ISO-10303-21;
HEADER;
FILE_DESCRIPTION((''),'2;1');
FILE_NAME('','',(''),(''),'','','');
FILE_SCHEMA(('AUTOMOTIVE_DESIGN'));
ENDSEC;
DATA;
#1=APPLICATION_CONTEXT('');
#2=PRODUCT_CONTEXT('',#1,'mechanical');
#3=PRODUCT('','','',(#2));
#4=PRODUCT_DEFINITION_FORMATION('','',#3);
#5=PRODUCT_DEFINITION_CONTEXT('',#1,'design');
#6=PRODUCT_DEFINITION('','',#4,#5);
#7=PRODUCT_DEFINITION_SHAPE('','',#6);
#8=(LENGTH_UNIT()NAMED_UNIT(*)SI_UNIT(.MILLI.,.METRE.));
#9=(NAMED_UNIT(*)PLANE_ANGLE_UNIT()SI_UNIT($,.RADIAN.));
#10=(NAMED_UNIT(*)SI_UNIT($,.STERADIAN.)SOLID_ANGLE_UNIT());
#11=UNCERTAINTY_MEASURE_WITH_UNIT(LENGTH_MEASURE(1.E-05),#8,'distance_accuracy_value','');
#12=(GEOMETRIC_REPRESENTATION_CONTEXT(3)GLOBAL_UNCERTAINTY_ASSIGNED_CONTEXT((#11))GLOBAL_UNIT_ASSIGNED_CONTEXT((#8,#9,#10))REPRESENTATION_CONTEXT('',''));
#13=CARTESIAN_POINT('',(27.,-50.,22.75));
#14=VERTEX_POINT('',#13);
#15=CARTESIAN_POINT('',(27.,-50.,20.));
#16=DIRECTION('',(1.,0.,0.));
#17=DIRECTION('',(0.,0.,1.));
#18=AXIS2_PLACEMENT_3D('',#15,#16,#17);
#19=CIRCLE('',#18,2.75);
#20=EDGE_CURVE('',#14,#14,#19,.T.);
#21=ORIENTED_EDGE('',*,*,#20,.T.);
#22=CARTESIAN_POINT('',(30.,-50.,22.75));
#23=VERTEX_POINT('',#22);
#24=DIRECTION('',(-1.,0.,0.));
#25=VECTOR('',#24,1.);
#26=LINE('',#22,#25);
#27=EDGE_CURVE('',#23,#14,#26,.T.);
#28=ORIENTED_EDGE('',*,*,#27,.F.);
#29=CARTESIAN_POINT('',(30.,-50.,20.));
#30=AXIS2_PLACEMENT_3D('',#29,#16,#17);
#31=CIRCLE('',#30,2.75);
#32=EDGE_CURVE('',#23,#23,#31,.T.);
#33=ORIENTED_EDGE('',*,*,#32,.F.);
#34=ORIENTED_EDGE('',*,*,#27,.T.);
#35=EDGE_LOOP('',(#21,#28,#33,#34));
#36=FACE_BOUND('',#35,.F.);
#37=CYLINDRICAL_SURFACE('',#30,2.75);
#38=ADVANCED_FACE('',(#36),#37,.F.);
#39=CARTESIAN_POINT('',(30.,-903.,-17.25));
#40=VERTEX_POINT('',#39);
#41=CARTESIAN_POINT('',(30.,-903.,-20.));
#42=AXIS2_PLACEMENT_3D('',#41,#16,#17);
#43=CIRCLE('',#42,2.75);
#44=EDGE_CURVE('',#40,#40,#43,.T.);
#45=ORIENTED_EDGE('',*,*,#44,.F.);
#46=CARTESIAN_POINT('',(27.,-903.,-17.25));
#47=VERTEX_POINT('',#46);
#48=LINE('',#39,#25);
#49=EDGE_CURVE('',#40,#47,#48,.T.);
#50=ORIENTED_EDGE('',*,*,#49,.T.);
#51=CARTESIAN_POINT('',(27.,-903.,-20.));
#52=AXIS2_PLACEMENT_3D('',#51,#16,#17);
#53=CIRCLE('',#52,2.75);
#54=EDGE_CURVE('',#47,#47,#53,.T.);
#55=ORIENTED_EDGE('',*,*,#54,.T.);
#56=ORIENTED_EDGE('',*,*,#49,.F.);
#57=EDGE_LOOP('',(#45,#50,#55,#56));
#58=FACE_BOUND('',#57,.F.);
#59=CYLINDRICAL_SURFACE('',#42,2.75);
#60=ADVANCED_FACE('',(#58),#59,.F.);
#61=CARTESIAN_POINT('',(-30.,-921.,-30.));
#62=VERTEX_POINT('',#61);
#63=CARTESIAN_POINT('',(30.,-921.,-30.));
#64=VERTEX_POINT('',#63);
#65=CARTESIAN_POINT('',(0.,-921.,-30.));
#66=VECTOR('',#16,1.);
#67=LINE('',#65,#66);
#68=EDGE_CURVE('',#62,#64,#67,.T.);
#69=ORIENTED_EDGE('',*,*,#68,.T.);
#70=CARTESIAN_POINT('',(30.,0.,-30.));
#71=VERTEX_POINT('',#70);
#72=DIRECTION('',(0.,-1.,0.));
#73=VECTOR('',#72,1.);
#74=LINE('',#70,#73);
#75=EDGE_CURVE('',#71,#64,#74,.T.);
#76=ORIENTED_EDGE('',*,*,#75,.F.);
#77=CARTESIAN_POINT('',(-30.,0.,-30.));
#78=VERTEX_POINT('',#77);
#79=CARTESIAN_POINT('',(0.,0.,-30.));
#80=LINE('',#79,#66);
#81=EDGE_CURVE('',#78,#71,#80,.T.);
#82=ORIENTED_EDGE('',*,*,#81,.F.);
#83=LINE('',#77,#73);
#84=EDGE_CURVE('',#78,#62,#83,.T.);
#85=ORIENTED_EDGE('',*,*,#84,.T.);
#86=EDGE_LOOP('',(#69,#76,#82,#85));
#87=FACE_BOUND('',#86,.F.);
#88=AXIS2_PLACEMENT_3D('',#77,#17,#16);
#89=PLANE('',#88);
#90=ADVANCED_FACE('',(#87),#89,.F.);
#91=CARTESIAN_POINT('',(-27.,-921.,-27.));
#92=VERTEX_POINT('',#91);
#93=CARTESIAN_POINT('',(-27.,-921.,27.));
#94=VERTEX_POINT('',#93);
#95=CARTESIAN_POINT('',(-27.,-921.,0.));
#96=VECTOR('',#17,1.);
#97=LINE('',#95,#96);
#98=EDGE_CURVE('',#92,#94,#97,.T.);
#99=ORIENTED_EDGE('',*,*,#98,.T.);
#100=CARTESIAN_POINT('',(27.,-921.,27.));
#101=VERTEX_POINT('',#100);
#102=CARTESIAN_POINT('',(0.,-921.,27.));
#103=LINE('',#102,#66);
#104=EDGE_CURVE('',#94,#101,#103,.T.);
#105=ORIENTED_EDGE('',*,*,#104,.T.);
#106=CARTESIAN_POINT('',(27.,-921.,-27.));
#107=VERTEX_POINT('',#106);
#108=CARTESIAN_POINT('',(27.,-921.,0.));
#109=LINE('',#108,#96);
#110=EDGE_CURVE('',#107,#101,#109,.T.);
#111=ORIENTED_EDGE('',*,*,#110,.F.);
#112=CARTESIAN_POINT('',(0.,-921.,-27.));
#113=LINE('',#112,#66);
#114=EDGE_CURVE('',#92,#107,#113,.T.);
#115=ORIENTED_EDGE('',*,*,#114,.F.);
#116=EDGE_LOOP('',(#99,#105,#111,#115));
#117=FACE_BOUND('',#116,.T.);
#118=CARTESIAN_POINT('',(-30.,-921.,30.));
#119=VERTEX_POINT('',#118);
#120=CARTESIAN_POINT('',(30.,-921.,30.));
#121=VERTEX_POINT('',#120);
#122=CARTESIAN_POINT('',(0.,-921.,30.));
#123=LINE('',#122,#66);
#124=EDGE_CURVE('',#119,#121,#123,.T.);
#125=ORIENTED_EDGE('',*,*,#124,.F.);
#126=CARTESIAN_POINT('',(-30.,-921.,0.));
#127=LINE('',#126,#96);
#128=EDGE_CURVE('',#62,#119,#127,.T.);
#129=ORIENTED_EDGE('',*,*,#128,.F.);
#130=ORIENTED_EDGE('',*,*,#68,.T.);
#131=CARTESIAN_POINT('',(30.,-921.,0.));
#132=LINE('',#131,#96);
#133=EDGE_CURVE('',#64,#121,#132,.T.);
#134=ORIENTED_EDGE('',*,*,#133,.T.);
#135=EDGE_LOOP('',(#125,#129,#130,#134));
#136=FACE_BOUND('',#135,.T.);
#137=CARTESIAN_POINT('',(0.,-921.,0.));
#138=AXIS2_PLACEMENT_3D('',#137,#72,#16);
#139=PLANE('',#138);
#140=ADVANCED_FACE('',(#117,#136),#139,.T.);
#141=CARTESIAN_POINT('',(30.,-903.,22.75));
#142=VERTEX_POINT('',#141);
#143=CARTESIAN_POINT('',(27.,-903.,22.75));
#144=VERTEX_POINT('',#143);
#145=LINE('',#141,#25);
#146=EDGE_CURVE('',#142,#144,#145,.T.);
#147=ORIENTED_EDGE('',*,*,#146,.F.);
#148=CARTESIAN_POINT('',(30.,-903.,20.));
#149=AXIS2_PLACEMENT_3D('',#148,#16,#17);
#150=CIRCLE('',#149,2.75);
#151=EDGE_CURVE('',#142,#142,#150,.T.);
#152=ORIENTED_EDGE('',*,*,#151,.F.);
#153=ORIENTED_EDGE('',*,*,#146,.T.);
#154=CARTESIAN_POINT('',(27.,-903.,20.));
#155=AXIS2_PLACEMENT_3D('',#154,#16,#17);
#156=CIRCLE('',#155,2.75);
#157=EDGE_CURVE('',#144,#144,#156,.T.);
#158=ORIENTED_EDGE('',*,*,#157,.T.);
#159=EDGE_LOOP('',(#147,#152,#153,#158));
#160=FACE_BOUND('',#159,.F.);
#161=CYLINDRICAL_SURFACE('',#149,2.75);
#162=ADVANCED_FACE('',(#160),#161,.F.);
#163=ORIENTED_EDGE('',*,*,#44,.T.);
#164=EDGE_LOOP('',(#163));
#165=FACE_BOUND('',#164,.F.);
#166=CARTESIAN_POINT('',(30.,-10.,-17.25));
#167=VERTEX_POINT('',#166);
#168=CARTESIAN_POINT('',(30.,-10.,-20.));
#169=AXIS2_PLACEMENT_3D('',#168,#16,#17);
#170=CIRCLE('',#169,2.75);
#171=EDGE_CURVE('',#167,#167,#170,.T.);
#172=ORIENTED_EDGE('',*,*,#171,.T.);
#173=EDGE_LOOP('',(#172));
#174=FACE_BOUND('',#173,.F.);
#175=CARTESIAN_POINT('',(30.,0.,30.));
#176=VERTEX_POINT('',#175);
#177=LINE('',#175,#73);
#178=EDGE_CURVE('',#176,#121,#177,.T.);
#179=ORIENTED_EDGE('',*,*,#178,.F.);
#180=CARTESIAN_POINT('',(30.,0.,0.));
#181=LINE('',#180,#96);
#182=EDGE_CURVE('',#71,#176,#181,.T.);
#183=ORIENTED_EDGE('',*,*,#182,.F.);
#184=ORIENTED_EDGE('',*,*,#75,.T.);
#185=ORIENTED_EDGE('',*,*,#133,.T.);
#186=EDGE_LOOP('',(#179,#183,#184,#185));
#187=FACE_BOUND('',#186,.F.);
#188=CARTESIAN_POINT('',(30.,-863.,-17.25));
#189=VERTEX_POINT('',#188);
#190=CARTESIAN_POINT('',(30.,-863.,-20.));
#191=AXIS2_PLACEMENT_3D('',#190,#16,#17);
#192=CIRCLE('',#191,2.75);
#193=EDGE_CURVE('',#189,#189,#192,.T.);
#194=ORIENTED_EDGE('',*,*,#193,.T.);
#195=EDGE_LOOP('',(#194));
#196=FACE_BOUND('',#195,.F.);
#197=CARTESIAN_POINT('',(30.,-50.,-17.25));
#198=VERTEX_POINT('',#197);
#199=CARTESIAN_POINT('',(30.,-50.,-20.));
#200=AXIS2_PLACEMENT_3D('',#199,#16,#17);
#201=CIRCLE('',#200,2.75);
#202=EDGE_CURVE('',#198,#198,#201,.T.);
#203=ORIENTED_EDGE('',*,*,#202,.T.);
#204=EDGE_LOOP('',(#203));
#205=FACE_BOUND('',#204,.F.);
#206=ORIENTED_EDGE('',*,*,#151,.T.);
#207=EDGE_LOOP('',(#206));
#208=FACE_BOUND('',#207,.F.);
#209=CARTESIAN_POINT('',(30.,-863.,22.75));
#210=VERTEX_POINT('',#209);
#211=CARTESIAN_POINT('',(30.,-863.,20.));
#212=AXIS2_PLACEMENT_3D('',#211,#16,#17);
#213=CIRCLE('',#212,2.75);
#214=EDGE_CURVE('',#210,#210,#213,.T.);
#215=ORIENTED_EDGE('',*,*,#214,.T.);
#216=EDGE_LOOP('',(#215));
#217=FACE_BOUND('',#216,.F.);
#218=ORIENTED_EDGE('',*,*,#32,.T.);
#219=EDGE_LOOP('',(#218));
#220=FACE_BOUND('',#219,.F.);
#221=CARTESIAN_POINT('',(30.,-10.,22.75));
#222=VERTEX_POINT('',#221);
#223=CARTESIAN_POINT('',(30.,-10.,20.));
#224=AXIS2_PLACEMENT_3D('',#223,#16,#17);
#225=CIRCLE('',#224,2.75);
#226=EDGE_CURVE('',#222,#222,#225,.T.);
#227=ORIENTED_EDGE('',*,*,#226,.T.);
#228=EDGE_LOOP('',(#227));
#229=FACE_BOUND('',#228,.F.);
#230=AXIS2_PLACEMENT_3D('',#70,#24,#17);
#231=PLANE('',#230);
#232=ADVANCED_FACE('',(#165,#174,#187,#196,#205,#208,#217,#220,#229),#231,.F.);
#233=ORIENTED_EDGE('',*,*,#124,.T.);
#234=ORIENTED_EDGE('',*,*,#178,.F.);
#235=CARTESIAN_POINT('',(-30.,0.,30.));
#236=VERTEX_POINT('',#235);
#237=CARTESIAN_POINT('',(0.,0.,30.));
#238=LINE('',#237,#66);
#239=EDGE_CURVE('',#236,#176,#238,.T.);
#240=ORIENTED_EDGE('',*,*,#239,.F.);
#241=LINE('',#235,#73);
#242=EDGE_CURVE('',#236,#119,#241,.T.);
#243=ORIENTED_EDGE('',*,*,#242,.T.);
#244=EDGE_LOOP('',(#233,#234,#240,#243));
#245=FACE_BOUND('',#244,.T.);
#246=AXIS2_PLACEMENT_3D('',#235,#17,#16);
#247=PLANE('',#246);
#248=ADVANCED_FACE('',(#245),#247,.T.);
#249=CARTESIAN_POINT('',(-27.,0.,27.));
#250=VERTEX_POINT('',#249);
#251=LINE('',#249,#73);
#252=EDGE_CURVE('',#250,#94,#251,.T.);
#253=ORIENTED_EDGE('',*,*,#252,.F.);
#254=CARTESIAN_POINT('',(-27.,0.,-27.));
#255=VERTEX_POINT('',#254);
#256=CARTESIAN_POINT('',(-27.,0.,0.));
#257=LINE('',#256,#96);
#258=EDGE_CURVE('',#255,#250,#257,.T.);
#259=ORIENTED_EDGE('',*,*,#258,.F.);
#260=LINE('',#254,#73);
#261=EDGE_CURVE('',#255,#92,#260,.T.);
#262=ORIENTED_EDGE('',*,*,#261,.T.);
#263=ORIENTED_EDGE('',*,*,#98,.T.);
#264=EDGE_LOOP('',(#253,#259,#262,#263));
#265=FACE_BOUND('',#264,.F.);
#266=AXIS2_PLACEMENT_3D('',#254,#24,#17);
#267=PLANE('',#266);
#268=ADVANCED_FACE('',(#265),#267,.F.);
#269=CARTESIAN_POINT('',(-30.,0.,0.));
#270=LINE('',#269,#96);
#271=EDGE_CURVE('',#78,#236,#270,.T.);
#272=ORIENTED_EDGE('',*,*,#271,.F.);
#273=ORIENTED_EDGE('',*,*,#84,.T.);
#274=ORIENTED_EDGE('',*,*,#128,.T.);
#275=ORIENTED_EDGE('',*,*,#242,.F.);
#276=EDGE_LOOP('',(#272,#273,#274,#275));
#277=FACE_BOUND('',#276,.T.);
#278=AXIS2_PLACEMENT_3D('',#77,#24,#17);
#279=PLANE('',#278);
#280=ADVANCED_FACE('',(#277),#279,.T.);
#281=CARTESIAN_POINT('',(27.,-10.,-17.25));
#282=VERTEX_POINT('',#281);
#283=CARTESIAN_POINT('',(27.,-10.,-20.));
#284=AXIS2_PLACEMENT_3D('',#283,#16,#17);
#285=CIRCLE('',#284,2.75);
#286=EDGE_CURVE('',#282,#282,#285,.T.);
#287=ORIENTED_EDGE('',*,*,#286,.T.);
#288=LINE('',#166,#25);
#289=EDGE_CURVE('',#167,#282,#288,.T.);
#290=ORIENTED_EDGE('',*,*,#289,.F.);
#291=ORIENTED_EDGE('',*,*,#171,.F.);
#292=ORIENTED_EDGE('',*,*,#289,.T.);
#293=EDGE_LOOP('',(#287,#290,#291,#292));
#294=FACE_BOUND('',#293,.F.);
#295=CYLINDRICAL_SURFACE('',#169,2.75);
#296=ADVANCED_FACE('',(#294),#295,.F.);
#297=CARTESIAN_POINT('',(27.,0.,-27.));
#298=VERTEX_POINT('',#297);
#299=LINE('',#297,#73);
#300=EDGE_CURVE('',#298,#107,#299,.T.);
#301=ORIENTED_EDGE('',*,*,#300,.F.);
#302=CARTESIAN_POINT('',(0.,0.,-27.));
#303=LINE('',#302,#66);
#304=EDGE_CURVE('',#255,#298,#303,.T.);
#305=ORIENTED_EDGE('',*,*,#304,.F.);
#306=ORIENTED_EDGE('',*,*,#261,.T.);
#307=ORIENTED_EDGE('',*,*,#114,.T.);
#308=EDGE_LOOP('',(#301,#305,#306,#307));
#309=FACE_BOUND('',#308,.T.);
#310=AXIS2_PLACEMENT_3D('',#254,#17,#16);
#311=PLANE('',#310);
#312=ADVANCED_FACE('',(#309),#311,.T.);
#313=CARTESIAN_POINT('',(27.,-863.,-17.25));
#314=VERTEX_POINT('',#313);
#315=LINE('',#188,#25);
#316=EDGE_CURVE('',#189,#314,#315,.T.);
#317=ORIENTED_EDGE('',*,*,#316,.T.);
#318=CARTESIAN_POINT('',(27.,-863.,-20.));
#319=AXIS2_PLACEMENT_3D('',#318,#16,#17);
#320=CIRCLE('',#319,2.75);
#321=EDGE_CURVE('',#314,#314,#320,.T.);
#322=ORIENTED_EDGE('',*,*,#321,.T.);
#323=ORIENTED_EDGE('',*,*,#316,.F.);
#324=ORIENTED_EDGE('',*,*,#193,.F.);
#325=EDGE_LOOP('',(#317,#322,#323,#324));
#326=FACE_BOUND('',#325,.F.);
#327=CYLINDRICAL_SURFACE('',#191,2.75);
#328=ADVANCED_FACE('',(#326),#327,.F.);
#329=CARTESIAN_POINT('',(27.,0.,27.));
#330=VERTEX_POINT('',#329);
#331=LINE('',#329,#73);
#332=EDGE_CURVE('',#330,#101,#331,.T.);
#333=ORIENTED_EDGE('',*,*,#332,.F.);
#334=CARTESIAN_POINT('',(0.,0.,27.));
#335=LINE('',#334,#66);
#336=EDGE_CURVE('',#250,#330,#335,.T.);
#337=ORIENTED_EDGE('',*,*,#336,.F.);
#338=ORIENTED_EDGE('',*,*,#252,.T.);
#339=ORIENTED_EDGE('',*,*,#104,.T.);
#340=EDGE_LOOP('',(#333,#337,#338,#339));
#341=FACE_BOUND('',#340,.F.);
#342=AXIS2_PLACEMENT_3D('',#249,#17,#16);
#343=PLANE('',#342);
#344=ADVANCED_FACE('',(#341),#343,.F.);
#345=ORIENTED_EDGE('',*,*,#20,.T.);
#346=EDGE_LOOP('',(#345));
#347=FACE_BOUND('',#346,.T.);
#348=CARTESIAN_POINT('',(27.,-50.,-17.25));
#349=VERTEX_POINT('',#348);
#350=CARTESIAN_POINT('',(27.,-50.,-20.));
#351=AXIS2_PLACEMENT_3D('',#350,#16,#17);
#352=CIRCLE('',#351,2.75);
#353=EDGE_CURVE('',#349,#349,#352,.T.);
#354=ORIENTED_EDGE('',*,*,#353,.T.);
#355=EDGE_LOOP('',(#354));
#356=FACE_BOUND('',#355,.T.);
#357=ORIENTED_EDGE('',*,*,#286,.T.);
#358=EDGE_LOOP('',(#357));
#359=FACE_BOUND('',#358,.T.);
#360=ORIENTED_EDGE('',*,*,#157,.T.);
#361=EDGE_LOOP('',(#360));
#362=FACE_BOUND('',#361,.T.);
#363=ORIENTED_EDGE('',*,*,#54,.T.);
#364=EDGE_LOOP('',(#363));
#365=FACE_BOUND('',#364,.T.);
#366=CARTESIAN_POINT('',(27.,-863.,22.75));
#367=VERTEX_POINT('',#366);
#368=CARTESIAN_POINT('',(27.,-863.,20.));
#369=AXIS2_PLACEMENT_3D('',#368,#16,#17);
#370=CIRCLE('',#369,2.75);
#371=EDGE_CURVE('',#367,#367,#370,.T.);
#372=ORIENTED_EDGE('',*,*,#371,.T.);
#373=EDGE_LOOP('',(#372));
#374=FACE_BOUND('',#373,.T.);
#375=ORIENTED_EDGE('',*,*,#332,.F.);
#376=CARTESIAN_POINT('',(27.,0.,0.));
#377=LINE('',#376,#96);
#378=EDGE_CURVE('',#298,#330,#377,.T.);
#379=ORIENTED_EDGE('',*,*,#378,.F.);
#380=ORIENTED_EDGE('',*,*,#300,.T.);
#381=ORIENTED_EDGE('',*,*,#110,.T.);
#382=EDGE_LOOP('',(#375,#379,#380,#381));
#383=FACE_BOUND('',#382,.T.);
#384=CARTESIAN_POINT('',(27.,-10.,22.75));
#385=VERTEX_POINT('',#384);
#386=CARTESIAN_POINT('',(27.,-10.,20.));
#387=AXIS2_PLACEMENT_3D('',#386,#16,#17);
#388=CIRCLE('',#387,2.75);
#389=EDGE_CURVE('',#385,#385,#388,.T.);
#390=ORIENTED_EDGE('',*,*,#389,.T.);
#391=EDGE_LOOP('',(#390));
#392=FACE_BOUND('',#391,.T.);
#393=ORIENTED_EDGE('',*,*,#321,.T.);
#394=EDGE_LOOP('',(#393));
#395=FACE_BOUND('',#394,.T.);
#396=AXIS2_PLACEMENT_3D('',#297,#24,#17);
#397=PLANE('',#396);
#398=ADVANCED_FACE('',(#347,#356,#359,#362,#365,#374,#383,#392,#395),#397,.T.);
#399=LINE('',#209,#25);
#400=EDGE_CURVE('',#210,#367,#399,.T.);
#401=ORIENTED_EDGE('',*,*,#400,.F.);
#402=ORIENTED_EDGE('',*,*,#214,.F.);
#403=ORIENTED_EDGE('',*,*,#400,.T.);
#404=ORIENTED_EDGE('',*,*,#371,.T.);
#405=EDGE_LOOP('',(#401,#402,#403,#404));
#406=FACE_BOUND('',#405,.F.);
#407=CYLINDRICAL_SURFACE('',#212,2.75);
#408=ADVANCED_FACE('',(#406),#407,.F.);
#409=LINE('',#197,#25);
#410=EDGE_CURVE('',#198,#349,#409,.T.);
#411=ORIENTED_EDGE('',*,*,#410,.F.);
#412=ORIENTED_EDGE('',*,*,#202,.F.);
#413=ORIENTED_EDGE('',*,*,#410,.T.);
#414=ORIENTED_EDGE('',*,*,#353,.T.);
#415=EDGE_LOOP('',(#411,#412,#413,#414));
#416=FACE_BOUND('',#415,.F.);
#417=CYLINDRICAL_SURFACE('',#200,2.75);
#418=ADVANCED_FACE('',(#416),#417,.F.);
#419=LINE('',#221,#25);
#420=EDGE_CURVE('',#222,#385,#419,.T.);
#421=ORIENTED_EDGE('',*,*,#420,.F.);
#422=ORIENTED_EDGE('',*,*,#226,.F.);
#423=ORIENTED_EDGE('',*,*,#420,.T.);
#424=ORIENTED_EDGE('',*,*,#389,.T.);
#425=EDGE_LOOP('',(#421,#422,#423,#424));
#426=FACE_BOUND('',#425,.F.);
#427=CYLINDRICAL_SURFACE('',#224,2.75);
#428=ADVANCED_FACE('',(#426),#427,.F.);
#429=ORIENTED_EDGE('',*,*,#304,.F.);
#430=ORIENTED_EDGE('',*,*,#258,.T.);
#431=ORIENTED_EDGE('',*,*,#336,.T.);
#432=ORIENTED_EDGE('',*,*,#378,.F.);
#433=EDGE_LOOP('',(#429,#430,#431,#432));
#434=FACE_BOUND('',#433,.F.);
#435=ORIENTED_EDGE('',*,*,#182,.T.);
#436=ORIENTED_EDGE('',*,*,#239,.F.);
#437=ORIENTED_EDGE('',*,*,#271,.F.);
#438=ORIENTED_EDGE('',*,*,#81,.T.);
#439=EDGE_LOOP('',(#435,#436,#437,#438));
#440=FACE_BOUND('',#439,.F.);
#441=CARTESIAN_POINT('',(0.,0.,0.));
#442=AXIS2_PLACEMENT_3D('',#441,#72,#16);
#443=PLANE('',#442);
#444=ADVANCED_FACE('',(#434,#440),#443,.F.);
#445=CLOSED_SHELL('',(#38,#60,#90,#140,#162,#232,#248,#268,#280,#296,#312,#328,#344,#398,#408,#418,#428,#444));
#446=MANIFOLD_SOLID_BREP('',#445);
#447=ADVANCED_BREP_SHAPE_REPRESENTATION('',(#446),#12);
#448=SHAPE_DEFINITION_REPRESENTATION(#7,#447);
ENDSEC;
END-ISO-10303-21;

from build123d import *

# Parameters (mm, degrees)
SKETCH_W     = 60
SKETCH_H     = 60
SKETCH_W_2   = 54
SKETCH_H_2   = 54
PAD_DEPTH    = 921
SKETCH002_R  = 2.75
POCKET_DEPTH = 3


with BuildPart() as part:
    # Sketch → Pad (new body)
    with BuildSketch(Plane.XZ):
        Rectangle(SKETCH_W, SKETCH_H)
        Rectangle(SKETCH_W_2, SKETCH_H_2, mode=Mode.SUBTRACT)
    extrude(amount=PAD_DEPTH)

    # Sketch002 (on Face2 of Pad) → Pocket (cut)
    with BuildSketch(Plane(origin=(30, 0, 0), x_dir=(0, 0, 1), z_dir=(1, 0, 0))):
        with Locations((-20, 50)):
            Circle(SKETCH002_R)
        with Locations((20, 50)):
            Circle(SKETCH002_R)
        with Locations((-20, 10)):
            Circle(SKETCH002_R)
        with Locations((20, 10)):
            Circle(SKETCH002_R)
        with Locations((-20, 903)):
            Circle(SKETCH002_R)
        with Locations((20, 903)):
            Circle(SKETCH002_R)
        with Locations((-20, 863)):
            Circle(SKETCH002_R)
        with Locations((20, 863)):
            Circle(SKETCH002_R)
    extrude(amount=-POCKET_DEPTH, mode=Mode.SUBTRACT)


solid = part.part
